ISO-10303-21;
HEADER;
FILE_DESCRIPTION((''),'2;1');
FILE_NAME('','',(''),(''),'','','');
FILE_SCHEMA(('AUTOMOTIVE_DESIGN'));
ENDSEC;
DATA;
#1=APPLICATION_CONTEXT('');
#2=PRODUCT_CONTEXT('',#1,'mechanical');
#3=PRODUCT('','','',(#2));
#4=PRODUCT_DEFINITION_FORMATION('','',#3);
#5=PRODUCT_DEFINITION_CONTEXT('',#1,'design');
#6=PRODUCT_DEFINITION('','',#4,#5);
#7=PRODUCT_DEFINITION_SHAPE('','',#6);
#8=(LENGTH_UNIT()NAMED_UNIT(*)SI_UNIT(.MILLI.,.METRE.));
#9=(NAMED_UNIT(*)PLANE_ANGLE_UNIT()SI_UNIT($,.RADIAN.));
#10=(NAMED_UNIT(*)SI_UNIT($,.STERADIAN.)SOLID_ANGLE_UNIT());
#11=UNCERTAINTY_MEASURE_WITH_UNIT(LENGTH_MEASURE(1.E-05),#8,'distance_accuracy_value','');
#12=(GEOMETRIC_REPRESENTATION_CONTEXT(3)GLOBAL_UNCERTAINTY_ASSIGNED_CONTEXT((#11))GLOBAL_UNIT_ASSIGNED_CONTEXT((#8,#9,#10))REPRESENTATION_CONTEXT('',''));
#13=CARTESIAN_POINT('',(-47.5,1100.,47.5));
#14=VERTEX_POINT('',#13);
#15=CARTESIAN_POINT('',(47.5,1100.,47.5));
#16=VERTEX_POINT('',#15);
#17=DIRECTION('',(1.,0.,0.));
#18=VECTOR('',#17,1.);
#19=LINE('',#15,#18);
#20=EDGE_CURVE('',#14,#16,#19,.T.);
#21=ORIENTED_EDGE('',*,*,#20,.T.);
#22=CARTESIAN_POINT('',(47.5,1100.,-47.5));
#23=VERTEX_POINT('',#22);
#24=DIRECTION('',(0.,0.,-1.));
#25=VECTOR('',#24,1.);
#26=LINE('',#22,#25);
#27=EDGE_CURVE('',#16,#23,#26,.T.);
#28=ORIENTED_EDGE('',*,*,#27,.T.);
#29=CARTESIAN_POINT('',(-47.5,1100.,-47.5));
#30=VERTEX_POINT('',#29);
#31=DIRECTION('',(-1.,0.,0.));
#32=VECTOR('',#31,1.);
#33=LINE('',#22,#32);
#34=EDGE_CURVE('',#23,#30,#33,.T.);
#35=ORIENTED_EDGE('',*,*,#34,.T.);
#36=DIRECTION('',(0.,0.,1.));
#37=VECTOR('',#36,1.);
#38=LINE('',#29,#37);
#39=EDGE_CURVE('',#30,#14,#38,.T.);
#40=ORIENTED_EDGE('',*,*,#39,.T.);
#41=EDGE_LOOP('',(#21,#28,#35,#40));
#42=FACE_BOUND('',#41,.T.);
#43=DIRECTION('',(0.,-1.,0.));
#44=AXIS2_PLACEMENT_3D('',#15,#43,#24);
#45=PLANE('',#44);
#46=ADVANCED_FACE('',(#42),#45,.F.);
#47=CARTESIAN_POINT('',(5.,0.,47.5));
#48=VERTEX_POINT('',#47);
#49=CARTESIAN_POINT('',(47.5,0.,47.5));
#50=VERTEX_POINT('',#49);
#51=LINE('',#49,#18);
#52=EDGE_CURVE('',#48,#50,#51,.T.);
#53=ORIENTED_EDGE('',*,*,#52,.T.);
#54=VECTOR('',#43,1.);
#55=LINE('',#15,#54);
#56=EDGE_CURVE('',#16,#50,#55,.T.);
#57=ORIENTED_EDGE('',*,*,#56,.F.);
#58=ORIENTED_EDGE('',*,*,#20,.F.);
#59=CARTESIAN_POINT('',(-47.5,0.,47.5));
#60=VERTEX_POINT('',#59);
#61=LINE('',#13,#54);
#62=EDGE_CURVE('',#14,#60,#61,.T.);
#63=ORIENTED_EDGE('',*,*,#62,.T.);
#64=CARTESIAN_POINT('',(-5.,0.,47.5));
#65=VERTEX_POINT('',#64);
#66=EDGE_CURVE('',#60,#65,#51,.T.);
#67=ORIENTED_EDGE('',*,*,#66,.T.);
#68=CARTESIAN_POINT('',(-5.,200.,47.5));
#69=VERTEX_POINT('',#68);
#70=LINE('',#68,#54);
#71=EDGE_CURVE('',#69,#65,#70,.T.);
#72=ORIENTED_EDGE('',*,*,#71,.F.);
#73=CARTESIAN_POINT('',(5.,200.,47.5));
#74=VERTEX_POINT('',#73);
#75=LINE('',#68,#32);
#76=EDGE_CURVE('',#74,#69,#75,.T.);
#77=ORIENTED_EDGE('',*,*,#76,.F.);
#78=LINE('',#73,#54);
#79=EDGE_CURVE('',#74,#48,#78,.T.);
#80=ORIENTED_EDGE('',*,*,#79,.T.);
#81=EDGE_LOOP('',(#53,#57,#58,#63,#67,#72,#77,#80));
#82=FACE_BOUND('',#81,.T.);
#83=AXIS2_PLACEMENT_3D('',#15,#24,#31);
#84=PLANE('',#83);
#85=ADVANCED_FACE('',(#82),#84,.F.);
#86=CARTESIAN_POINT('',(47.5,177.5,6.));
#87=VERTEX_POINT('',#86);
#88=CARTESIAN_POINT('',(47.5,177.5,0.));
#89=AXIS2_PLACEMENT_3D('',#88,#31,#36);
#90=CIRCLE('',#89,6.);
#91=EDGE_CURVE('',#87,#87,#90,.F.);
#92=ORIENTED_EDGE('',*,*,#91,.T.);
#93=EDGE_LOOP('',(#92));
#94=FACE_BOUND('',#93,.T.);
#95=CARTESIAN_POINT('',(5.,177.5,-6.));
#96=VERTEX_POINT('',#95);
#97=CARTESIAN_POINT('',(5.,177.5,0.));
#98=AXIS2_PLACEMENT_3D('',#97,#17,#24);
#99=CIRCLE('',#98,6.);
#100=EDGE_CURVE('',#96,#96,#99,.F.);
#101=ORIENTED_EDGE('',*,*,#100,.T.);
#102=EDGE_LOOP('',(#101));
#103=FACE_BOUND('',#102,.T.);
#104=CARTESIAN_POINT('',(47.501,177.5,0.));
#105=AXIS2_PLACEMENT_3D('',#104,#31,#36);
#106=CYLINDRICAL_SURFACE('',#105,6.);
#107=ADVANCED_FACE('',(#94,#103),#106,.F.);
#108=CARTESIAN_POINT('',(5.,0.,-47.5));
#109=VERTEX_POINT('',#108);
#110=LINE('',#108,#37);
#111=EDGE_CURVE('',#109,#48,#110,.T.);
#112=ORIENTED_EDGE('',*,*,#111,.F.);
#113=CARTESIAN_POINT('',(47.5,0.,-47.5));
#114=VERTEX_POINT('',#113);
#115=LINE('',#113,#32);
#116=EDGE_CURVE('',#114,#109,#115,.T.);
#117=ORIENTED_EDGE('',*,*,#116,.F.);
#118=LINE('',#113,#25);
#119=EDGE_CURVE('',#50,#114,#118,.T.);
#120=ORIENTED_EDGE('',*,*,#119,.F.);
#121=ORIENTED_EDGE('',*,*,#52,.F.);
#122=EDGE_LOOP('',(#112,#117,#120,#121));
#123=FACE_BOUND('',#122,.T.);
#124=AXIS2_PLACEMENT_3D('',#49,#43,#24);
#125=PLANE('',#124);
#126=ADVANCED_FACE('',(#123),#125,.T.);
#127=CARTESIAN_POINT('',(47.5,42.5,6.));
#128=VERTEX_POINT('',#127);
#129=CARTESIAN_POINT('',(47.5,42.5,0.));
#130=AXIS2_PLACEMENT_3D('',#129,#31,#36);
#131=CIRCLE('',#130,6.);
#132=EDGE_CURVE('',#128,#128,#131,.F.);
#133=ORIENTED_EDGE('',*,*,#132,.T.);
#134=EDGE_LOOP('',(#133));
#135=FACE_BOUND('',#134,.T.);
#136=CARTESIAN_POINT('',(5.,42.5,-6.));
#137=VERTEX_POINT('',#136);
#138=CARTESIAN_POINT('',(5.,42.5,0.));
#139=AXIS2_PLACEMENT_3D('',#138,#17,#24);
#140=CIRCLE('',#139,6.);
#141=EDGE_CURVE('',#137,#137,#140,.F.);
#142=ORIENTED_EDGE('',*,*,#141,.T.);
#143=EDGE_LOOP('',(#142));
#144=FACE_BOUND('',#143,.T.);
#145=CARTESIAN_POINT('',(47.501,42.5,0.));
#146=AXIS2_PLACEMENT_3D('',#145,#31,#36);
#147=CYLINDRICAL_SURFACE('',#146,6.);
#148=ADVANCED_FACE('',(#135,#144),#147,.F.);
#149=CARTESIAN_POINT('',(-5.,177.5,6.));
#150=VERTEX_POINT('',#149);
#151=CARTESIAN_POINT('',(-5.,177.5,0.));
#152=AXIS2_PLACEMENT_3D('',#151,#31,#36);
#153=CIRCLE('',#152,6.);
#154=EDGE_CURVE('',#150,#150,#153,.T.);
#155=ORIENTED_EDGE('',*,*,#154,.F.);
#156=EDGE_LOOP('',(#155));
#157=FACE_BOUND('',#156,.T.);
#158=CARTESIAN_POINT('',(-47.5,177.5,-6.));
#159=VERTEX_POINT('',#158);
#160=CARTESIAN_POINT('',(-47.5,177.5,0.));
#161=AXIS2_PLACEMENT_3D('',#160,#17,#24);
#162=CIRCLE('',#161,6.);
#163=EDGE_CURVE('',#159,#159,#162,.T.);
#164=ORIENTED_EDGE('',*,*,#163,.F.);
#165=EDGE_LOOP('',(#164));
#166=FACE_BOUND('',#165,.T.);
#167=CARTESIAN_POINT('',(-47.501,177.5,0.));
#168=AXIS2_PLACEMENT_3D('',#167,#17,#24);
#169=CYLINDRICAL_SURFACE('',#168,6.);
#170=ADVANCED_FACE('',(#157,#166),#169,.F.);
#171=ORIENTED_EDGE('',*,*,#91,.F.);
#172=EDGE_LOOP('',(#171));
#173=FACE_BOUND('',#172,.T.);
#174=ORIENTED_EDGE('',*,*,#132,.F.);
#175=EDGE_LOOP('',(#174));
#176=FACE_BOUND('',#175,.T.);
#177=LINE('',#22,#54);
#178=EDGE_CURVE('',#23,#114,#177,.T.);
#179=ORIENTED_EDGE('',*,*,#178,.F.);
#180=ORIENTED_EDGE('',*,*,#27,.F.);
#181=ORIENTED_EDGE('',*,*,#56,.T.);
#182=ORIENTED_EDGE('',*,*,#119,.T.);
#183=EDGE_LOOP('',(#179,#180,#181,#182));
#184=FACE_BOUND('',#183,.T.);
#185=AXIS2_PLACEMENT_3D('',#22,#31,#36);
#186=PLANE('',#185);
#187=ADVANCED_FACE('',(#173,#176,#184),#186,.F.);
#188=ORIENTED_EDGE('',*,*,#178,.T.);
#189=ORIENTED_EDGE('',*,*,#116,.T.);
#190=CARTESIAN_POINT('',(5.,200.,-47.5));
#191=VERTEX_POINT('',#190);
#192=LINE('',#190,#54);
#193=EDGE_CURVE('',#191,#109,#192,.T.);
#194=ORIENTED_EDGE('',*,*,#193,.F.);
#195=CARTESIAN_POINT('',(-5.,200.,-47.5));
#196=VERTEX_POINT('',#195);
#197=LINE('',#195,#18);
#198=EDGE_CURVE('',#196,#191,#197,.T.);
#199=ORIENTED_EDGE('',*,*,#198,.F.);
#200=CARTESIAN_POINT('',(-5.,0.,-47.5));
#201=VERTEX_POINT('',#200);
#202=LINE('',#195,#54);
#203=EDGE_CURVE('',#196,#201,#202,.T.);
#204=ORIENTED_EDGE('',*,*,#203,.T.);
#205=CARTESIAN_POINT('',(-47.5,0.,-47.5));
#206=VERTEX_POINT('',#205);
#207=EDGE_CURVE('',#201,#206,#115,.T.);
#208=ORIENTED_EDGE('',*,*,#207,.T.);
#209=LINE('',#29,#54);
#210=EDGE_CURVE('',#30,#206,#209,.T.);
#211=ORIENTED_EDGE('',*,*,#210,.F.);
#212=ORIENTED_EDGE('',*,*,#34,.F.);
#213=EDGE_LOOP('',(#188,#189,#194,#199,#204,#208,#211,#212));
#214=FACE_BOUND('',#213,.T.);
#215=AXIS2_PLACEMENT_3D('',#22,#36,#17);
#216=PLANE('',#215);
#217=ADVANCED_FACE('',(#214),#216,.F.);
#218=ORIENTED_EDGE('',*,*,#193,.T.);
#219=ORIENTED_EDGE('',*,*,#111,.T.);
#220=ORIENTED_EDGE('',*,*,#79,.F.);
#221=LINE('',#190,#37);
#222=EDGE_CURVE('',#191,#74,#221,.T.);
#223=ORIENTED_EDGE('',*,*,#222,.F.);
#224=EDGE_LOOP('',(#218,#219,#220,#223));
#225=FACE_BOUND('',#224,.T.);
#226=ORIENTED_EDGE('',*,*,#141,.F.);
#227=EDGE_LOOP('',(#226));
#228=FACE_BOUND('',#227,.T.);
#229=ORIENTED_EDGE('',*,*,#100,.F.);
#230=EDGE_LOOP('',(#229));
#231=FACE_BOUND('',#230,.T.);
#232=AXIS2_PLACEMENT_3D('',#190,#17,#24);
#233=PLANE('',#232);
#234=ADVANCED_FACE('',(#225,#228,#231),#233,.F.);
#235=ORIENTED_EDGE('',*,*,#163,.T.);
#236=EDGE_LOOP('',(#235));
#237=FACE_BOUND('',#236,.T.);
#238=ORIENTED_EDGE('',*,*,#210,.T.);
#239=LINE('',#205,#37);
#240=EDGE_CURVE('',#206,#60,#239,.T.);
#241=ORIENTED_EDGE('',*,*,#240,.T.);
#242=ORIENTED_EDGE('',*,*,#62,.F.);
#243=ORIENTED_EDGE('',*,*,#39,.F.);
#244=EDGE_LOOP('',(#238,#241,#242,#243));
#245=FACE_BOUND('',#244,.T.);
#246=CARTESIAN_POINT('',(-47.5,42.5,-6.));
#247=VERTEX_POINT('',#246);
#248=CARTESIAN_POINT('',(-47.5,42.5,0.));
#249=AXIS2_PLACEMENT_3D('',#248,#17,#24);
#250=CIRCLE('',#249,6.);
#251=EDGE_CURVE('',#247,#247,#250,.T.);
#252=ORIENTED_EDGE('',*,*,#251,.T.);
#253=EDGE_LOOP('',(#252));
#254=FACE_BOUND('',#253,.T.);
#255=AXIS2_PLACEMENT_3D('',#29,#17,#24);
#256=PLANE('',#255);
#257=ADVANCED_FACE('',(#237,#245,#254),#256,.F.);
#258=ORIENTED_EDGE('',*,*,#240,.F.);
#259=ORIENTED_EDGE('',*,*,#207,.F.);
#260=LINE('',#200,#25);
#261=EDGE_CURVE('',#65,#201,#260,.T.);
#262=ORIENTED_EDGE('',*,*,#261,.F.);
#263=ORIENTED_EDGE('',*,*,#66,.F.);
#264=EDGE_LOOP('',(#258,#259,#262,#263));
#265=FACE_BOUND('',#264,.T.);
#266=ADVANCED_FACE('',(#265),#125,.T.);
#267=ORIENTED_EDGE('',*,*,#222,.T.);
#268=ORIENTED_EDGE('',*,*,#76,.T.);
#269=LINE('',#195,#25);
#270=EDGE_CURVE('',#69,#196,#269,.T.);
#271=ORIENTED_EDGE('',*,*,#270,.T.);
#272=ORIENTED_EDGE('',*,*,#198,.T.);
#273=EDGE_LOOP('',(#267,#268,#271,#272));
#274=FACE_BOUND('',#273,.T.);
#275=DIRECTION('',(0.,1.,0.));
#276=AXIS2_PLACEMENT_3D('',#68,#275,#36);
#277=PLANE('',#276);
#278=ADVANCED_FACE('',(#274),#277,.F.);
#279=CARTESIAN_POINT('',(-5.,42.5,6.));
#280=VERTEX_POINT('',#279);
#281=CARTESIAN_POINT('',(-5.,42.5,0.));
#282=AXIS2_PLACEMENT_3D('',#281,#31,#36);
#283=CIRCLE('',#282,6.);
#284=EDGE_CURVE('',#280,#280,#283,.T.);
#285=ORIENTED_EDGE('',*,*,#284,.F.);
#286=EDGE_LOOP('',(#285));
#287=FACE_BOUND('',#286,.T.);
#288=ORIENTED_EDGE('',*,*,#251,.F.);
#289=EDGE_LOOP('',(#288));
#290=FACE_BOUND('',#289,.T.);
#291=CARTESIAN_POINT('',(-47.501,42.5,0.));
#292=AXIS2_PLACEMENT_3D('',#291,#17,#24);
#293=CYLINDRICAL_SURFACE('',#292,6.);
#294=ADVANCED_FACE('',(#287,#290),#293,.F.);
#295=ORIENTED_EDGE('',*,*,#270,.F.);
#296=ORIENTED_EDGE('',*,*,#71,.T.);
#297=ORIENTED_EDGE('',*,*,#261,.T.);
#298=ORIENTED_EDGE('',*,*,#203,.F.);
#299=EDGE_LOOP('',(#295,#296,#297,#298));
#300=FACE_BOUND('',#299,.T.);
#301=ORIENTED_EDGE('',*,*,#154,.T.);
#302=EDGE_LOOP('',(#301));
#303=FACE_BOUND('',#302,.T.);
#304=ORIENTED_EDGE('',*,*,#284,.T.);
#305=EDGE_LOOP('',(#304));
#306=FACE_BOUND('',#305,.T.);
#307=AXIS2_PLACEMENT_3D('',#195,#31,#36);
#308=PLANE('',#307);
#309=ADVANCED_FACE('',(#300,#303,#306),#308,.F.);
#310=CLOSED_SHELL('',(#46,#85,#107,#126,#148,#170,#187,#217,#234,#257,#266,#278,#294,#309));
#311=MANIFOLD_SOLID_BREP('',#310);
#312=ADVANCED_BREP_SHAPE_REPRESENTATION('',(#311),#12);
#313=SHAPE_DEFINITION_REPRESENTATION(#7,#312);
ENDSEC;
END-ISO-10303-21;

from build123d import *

# Parameters (mm, degrees)
SKETCH2_W                                   = 95
SKETCH2_H                                   = 95
EXTRUDE_H_JD_DEPTH                          = 1100
SKETCH10_W                                  = 10
SKETCH10_H                                  = 95
CUT_SLITS_F_R_STOLPFOT_DEPTH                = 200
CUT_SKRUVH_L_F_R_STOLPFOT_REACH             = 49.5
SKETCH8_R                                   = 6
CUT_SKRUVH_L_F_R_STOLPFOT_DIRECTION_2_REACH = 49.5


with BuildPart() as part:
    # Sketch2 → Extrude h_jd (new body)
    with BuildSketch(Plane(origin=(0, 0, 0), x_dir=(1, 0, 0), z_dir=(0, 1, 0))):
        Rectangle(SKETCH2_W, SKETCH2_H)
    extrude(amount=EXTRUDE_H_JD_DEPTH)

    # Sketch10 → Cut-slits f_r stolpfot (cut)
    with BuildSketch(Plane(origin=(0, 0, 0), x_dir=(-1, 0, 0), z_dir=(0, -1, 0))):
        Rectangle(SKETCH10_W, SKETCH10_H)
    extrude(amount=-CUT_SLITS_F_R_STOLPFOT_DEPTH, mode=Mode.SUBTRACT)

    # Sketch8 → Cut-skruvh_l f_r stolpfot (cut, up to next)
    with BuildSketch(Plane(origin=(0, -97.5, 0), x_dir=(0, 1, 0), z_dir=(-1, 0, 0)), mode=Mode.PRIVATE) as cut_skruvh_l_f_r_stolpfot_sk1:
        with Locations(Location((275, 0, 0), (0, 0, 270))):  # turned: the seam where the file's is
            Circle(SKETCH8_R)
    cut_skruvh_l_f_r_stolpfot_tool1 = extrude(cut_skruvh_l_f_r_stolpfot_sk1.sketch, amount=CUT_SKRUVH_L_F_R_STOLPFOT_REACH, mode=Mode.PRIVATE) & part.part
    add(cut_skruvh_l_f_r_stolpfot_tool1.solids().sort_by_distance((0, 177.5, 0))[0], mode=Mode.SUBTRACT)
    # Sketch8 → Cut-skruvh_l f_r stolpfot (cut, up to next)
    with BuildSketch(Plane(origin=(0, -97.5, 0), x_dir=(0, 1, 0), z_dir=(-1, 0, 0)), mode=Mode.PRIVATE) as cut_skruvh_l_f_r_stolpfot_sk2:
        with Locations(Location((140, 0, 0), (0, 0, 270))):  # turned: the seam where the file's is
            Circle(SKETCH8_R)
    cut_skruvh_l_f_r_stolpfot_tool2 = extrude(cut_skruvh_l_f_r_stolpfot_sk2.sketch, amount=CUT_SKRUVH_L_F_R_STOLPFOT_REACH, mode=Mode.PRIVATE) & part.part
    add(cut_skruvh_l_f_r_stolpfot_tool2.solids().sort_by_distance((0, 42.5, 0))[0], mode=Mode.SUBTRACT)

    # Sketch8 → Cut-skruvh_l f_r stolpfot direction 2 (cut, up to next)
    with BuildSketch(Plane(origin=(0, -97.5, 0), x_dir=(0, 1, 0), z_dir=(-1, 0, 0)), mode=Mode.PRIVATE) as cut_skruvh_l_f_r_stolpfot_direction_2_sk1:
        with Locations(Location((275, 0, 0), (0, 0, 270))):  # turned: the seam where the file's is
            Circle(SKETCH8_R)
    cut_skruvh_l_f_r_stolpfot_direction_2_tool1 = extrude(cut_skruvh_l_f_r_stolpfot_direction_2_sk1.sketch, amount=-CUT_SKRUVH_L_F_R_STOLPFOT_DIRECTION_2_REACH, mode=Mode.PRIVATE) & part.part
    add(cut_skruvh_l_f_r_stolpfot_direction_2_tool1.solids().sort_by_distance((0, 177.5, 0))[0], mode=Mode.SUBTRACT)
    # Sketch8 → Cut-skruvh_l f_r stolpfot direction 2 (cut, up to next)
    with BuildSketch(Plane(origin=(0, -97.5, 0), x_dir=(0, 1, 0), z_dir=(-1, 0, 0)), mode=Mode.PRIVATE) as cut_skruvh_l_f_r_stolpfot_direction_2_sk2:
        with Locations(Location((140, 0, 0), (0, 0, 270))):  # turned: the seam where the file's is
            Circle(SKETCH8_R)
    cut_skruvh_l_f_r_stolpfot_direction_2_tool2 = extrude(cut_skruvh_l_f_r_stolpfot_direction_2_sk2.sketch, amount=-CUT_SKRUVH_L_F_R_STOLPFOT_DIRECTION_2_REACH, mode=Mode.PRIVATE) & part.part
    add(cut_skruvh_l_f_r_stolpfot_direction_2_tool2.solids().sort_by_distance((0, 42.5, 0))[0], mode=Mode.SUBTRACT)


solid = part.part
